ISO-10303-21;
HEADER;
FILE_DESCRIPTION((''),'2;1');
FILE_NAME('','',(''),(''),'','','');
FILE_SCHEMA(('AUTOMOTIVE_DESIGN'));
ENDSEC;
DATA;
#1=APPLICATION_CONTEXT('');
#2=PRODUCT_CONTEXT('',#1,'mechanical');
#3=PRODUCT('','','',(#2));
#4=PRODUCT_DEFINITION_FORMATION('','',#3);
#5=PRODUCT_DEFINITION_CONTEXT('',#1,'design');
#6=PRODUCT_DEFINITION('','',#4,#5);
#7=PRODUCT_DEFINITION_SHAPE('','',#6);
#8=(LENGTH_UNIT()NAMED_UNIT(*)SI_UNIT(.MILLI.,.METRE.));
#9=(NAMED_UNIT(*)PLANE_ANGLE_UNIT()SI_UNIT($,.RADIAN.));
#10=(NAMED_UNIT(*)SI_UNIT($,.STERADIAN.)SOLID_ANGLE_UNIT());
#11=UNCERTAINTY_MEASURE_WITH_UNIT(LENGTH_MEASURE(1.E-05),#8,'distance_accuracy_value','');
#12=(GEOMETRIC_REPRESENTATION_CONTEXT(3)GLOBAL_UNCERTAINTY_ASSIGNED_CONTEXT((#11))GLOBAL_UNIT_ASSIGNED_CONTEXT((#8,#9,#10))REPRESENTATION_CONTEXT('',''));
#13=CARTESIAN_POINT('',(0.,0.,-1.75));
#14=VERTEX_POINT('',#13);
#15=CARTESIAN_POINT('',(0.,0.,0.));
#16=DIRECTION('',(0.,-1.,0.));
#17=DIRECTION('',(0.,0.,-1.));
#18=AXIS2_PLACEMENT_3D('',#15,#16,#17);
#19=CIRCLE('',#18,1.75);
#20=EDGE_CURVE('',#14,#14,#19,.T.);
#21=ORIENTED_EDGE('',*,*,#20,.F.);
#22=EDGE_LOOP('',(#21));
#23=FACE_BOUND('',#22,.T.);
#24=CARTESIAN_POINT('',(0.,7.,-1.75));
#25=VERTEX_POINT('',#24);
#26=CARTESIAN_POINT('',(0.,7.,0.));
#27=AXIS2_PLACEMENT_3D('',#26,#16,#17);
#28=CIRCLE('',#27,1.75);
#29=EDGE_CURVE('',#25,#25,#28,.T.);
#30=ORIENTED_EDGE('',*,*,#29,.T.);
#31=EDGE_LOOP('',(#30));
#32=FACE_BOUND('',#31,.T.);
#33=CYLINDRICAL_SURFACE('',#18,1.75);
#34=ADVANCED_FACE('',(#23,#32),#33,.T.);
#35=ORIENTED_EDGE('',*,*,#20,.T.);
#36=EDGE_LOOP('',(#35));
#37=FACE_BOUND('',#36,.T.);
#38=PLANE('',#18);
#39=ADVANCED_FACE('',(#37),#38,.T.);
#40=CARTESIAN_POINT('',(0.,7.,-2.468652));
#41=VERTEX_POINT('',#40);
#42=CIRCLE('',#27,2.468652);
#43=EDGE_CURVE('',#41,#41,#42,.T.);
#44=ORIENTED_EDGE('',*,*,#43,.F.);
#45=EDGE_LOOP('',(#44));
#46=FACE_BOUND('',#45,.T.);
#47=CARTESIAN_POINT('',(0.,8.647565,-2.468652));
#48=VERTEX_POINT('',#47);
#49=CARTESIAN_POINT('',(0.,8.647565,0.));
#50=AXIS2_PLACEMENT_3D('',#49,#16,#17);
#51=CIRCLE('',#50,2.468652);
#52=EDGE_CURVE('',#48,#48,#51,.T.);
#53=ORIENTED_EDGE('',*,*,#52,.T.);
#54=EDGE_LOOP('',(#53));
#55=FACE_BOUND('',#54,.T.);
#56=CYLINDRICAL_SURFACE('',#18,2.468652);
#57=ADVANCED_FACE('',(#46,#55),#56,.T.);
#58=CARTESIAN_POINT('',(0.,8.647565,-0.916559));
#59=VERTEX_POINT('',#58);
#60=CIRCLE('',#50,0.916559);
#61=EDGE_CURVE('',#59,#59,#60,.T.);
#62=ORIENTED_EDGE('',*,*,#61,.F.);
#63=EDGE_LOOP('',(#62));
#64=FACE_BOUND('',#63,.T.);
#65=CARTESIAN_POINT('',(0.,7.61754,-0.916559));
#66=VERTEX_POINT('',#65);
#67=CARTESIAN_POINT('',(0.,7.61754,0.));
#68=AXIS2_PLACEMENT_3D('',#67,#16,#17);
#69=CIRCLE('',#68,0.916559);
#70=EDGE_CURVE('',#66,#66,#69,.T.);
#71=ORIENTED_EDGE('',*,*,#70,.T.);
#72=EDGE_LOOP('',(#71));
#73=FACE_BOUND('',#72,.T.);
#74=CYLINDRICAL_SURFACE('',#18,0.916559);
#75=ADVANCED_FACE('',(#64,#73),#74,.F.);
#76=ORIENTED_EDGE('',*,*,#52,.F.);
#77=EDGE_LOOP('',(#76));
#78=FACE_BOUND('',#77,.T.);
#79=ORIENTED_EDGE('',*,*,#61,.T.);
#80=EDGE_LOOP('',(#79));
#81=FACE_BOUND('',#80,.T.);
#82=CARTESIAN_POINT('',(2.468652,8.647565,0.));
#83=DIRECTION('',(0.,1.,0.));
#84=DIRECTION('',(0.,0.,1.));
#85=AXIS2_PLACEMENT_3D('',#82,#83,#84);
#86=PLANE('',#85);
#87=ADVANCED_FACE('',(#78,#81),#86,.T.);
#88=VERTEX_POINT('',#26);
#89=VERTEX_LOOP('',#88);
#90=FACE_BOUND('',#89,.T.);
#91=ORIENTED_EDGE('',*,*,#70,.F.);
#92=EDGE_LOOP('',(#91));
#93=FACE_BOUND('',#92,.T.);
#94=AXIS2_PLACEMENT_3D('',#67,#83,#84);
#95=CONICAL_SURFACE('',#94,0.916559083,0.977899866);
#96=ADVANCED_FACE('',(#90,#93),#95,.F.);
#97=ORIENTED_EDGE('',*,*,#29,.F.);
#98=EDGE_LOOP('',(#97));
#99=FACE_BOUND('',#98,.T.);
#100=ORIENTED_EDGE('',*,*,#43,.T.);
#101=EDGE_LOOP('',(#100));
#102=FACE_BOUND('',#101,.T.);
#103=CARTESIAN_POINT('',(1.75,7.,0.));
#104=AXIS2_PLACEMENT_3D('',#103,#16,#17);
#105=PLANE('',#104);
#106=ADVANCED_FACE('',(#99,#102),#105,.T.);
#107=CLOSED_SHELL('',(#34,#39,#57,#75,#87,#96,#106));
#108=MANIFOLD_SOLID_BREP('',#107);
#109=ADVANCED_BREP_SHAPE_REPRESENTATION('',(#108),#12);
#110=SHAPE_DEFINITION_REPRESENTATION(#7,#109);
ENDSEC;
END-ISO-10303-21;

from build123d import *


with BuildPart() as part:
    # Sketch2 → Revolve1 (revolve)
    with BuildSketch(Plane.XY):
        Polygon((0, 0), (1.75, 0), (1.75, 7), (2.468651768, 7), (2.468651768, 8.647564862), (0.916559083, 8.647564862), (0.916559083, 7.617539717), (0, 7), align=None)
    revolve(axis=Axis((0, 0, 0), (0, 1, 0)))


solid = part.part
